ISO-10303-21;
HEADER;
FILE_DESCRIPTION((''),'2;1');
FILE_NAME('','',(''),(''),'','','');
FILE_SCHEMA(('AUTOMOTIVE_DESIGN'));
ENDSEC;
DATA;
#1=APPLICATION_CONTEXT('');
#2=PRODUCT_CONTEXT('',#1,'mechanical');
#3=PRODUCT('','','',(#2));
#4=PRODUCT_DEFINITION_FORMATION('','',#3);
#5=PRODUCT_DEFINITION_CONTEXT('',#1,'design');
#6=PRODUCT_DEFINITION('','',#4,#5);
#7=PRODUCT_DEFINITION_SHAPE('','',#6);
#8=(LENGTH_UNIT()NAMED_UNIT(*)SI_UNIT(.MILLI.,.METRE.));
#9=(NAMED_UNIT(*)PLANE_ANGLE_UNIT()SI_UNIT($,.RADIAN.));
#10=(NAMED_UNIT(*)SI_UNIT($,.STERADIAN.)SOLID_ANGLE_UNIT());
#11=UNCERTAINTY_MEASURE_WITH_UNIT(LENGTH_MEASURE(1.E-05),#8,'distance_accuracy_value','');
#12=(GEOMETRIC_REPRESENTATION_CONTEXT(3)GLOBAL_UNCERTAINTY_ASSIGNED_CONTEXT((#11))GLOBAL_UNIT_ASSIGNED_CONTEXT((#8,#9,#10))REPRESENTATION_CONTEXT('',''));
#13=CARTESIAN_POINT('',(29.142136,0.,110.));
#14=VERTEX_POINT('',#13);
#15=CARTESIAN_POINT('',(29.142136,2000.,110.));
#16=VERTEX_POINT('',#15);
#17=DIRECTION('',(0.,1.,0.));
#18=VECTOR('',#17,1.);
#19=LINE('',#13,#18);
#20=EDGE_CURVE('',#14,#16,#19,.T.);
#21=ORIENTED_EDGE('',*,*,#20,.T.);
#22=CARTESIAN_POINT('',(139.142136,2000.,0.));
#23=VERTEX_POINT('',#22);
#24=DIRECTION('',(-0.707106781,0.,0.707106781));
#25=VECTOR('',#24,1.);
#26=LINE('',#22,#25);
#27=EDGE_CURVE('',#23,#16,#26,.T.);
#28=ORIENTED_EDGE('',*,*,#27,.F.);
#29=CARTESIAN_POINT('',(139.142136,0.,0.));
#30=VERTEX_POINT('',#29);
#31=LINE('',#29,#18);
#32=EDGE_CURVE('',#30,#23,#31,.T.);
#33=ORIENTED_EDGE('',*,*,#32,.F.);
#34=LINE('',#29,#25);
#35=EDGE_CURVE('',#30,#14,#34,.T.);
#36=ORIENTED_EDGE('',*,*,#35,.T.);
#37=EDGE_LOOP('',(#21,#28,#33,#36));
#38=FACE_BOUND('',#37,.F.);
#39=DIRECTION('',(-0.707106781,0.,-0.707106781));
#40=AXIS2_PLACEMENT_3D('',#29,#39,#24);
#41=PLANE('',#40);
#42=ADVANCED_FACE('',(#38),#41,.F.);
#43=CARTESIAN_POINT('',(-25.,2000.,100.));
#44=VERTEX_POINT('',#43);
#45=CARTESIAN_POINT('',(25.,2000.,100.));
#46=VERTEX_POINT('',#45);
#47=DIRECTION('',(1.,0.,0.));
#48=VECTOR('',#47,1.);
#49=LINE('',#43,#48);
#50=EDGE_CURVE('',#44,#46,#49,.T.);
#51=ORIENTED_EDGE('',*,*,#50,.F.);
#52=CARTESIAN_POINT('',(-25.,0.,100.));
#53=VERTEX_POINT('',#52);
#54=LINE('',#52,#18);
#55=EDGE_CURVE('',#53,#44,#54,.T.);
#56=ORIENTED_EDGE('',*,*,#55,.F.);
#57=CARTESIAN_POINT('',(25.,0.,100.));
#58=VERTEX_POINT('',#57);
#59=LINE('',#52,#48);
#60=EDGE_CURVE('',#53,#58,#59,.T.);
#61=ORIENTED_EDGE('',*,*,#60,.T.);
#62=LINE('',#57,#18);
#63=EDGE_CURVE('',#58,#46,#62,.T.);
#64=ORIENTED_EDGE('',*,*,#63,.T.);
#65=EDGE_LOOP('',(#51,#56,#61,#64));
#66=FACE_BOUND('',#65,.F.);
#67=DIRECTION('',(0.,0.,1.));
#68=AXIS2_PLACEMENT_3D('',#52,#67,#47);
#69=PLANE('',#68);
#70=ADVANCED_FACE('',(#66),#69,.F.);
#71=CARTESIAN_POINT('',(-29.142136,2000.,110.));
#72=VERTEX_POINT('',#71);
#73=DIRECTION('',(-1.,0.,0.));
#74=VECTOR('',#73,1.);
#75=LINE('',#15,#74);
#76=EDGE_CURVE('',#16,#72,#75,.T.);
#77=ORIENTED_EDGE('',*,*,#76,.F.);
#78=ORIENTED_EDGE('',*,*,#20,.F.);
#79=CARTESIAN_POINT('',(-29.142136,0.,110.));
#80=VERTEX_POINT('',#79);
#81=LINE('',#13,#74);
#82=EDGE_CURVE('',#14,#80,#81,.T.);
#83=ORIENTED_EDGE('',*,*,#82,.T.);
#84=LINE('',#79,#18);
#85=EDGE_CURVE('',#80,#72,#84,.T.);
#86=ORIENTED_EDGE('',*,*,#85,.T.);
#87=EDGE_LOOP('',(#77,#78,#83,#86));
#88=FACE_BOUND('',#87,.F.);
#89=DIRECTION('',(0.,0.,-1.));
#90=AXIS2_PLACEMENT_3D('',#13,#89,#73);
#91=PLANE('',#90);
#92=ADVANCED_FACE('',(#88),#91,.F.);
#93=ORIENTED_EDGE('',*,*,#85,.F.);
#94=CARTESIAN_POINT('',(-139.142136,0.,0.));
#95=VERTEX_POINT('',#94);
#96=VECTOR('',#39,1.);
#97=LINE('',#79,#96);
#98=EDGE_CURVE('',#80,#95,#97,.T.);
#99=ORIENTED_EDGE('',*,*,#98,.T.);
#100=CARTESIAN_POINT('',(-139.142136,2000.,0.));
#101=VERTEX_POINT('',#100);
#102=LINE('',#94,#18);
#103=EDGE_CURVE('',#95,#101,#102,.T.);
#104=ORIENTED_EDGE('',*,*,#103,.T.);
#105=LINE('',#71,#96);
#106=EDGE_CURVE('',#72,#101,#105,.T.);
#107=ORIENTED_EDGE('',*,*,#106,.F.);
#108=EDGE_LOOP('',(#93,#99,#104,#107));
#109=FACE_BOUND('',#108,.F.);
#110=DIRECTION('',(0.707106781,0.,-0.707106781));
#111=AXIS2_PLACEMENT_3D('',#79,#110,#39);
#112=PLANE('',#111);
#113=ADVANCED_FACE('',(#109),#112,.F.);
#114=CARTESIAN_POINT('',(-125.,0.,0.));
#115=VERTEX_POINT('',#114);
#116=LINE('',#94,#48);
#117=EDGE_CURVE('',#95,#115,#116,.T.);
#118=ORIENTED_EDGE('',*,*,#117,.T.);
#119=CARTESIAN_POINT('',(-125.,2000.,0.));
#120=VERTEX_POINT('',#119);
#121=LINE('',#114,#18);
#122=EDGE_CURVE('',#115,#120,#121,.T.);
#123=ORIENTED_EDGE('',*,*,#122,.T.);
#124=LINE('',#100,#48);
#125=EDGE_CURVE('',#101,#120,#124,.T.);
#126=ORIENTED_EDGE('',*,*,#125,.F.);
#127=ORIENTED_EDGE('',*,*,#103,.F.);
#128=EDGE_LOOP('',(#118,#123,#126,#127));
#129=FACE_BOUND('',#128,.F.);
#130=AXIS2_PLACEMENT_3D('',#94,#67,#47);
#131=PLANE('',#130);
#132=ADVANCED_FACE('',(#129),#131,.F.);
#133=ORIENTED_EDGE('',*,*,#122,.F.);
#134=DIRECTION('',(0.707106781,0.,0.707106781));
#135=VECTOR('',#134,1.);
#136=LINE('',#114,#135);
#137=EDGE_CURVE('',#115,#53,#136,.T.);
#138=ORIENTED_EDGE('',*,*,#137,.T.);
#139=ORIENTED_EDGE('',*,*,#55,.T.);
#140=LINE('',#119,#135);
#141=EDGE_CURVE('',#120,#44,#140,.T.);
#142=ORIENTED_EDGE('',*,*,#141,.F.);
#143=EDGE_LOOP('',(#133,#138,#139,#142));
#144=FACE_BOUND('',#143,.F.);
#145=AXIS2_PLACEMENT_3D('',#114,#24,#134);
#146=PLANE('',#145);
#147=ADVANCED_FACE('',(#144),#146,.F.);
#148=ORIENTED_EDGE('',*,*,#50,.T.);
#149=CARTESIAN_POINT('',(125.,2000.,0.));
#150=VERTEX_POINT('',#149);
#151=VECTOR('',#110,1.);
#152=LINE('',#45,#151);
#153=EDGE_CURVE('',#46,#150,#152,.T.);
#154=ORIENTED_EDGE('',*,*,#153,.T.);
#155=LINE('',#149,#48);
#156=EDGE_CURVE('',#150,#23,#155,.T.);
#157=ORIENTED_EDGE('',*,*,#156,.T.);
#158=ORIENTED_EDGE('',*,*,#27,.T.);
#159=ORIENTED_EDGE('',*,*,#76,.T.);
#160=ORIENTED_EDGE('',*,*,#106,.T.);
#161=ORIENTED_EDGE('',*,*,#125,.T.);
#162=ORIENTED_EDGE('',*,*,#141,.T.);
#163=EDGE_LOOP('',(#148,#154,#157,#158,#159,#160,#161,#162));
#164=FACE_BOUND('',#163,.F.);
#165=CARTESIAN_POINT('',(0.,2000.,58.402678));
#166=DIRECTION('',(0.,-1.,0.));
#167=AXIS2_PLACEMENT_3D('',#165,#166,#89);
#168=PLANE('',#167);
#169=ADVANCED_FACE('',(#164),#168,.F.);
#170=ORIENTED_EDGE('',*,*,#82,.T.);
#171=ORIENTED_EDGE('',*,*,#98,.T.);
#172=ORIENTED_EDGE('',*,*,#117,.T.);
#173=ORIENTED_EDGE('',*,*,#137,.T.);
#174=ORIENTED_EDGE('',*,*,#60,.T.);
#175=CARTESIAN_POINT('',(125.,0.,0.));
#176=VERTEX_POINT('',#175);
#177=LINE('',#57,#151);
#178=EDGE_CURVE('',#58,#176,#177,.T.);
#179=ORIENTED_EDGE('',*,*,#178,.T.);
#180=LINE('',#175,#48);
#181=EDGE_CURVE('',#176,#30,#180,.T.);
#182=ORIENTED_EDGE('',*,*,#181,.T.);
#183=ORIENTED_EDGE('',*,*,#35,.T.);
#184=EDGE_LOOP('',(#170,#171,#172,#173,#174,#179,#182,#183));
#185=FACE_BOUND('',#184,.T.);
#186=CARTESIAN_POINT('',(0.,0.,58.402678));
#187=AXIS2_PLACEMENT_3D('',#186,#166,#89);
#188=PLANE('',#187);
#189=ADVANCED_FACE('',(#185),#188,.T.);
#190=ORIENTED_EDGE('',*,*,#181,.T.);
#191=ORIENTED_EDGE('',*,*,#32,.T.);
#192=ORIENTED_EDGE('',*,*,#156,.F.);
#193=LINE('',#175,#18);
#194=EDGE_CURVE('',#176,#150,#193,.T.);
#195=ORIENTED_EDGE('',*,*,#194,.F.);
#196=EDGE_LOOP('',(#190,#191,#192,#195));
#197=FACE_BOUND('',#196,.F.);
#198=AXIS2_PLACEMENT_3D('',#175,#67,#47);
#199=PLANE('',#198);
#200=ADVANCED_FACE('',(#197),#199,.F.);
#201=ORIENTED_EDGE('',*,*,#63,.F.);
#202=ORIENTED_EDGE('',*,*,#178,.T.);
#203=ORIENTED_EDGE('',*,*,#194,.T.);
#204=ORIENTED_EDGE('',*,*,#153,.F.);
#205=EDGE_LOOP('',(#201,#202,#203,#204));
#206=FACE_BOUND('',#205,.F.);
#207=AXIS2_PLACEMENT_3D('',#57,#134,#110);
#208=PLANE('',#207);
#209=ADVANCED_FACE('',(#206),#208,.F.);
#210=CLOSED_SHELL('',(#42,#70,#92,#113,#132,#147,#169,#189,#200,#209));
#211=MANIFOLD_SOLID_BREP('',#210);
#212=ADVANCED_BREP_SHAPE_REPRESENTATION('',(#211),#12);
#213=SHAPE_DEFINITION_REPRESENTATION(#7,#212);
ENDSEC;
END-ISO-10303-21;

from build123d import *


with BuildPart() as f2:
    # F2: sweep along a path in F1
    with BuildLine(Plane.XY) as f2_path:
        Line((0, 0), (0, 2000))
    # F0 (on Front) → F2 (sweep)
    with BuildSketch(Plane.XZ):
        Polygon((125, 0), (139.142136, 0), (29.142136, 110), (-29.142136, 110), (-139.142136, 0), (-125, 0), (-25, 100), (25, 100), align=None)
    sweep(path=f2_path.line)


solid = f2.part
